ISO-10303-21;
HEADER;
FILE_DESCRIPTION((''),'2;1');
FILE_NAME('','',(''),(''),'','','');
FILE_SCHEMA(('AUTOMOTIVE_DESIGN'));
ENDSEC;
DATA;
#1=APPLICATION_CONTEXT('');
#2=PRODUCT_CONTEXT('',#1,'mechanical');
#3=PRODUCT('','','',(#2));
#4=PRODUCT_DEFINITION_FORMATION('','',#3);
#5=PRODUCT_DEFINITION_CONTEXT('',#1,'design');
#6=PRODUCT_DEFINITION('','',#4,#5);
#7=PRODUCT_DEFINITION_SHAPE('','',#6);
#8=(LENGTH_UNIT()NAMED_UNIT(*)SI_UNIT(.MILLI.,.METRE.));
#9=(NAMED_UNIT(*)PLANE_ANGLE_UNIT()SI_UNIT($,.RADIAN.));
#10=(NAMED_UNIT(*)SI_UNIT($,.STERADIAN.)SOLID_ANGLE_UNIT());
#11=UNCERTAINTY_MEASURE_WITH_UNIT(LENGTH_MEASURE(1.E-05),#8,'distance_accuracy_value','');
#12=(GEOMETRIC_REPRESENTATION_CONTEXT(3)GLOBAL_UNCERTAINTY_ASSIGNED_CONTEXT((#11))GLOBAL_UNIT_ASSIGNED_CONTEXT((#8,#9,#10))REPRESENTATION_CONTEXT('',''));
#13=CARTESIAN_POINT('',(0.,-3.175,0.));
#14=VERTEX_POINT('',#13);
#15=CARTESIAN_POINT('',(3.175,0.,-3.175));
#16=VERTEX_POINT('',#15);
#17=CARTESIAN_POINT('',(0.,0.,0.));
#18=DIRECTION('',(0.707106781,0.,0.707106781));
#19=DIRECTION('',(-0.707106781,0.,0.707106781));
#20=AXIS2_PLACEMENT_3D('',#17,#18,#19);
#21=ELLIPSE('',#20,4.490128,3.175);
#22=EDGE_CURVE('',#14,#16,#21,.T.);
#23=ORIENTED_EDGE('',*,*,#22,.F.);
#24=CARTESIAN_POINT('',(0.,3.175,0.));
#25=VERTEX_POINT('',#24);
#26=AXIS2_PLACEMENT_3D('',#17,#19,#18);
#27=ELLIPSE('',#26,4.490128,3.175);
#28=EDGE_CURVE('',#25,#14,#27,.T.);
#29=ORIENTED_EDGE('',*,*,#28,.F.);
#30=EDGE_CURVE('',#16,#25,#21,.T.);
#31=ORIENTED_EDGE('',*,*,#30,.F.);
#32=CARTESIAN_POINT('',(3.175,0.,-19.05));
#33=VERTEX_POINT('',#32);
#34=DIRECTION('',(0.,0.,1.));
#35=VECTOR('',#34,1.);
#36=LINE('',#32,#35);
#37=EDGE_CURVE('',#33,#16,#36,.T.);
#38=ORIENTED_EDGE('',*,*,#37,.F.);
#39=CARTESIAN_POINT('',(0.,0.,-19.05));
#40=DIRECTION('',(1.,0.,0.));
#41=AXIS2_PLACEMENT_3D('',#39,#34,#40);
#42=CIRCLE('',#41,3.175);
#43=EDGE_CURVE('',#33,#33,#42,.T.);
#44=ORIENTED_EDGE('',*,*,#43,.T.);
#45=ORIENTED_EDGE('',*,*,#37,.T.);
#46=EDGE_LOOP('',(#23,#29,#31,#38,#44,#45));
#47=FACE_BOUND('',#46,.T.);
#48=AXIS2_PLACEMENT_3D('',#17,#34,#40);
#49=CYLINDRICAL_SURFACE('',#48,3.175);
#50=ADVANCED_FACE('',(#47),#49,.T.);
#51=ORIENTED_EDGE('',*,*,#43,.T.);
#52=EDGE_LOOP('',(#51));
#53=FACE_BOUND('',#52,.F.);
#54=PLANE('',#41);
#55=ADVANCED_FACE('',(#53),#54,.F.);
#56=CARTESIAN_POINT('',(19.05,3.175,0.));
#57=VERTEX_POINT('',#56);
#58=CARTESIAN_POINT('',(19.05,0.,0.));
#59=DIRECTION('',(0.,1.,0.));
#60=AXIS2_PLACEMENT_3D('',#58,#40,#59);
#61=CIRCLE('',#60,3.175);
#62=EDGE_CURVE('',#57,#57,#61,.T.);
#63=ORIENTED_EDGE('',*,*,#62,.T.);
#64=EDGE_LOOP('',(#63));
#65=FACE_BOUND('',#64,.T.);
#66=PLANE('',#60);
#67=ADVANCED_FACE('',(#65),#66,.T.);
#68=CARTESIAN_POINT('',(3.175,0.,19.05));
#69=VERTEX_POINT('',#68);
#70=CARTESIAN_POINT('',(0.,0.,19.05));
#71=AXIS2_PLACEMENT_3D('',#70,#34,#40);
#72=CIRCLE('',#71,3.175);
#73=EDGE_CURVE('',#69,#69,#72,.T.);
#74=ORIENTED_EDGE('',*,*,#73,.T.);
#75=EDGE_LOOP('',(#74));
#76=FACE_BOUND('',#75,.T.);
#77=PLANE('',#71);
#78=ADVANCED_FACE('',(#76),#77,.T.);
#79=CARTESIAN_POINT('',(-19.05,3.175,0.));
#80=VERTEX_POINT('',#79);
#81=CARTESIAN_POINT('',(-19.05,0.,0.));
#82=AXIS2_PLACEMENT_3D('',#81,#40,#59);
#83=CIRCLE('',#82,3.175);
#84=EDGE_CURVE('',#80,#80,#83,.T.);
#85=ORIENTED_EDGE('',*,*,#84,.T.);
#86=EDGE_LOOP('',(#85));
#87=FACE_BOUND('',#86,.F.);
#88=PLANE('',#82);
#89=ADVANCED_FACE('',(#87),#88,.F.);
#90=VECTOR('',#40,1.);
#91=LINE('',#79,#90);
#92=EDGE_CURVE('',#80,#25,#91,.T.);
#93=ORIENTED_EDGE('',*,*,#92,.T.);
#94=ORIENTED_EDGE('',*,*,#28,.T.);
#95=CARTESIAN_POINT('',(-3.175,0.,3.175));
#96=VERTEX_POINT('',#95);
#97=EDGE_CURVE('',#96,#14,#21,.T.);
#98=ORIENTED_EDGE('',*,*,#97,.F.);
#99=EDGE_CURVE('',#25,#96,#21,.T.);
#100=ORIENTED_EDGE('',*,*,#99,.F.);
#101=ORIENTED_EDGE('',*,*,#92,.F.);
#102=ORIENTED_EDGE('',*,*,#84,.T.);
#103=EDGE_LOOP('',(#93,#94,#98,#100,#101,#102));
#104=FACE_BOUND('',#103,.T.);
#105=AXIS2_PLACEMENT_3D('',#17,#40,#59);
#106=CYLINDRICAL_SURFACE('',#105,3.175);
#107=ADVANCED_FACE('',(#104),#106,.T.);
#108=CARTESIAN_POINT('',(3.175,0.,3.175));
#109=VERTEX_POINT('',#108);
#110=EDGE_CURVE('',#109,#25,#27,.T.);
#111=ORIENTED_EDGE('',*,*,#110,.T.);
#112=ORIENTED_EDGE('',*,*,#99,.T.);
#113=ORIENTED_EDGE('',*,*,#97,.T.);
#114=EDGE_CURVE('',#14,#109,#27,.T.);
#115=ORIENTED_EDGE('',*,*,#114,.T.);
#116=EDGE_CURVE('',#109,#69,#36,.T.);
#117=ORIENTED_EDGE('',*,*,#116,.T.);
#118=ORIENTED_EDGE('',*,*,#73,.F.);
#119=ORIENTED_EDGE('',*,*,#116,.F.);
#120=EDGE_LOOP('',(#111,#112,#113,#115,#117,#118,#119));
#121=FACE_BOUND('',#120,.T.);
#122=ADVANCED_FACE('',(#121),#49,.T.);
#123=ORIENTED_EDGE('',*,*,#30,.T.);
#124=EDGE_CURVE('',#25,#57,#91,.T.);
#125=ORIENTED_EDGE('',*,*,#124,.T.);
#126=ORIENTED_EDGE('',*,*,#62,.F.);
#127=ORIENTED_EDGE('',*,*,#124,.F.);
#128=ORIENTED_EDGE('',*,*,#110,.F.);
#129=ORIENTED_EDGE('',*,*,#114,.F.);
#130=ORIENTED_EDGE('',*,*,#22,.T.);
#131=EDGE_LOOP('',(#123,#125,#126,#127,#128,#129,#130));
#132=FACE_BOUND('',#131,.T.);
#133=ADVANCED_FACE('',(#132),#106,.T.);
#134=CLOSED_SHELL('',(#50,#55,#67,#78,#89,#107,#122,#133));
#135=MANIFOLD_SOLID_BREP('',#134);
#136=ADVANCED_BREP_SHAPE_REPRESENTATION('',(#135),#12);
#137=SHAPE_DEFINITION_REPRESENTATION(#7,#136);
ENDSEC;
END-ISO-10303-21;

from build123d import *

# Parameters (mm, degrees)
F0_R     = 3.175
F1_DEPTH = 19.05
F2_R     = 3.175
F3_DEPTH = 19.05


with BuildPart() as f1:
    # F0 (on Top) → F1 (new body, symmetric)
    with BuildSketch(Plane.XY):
        Circle(F0_R)
    extrude(amount=F1_DEPTH, both=True)

    # F2 (on Right) → F3 (join, symmetric)
    with BuildSketch(Plane.YZ):
        Circle(F2_R)
    extrude(amount=F3_DEPTH, both=True)


solid = f1.part
